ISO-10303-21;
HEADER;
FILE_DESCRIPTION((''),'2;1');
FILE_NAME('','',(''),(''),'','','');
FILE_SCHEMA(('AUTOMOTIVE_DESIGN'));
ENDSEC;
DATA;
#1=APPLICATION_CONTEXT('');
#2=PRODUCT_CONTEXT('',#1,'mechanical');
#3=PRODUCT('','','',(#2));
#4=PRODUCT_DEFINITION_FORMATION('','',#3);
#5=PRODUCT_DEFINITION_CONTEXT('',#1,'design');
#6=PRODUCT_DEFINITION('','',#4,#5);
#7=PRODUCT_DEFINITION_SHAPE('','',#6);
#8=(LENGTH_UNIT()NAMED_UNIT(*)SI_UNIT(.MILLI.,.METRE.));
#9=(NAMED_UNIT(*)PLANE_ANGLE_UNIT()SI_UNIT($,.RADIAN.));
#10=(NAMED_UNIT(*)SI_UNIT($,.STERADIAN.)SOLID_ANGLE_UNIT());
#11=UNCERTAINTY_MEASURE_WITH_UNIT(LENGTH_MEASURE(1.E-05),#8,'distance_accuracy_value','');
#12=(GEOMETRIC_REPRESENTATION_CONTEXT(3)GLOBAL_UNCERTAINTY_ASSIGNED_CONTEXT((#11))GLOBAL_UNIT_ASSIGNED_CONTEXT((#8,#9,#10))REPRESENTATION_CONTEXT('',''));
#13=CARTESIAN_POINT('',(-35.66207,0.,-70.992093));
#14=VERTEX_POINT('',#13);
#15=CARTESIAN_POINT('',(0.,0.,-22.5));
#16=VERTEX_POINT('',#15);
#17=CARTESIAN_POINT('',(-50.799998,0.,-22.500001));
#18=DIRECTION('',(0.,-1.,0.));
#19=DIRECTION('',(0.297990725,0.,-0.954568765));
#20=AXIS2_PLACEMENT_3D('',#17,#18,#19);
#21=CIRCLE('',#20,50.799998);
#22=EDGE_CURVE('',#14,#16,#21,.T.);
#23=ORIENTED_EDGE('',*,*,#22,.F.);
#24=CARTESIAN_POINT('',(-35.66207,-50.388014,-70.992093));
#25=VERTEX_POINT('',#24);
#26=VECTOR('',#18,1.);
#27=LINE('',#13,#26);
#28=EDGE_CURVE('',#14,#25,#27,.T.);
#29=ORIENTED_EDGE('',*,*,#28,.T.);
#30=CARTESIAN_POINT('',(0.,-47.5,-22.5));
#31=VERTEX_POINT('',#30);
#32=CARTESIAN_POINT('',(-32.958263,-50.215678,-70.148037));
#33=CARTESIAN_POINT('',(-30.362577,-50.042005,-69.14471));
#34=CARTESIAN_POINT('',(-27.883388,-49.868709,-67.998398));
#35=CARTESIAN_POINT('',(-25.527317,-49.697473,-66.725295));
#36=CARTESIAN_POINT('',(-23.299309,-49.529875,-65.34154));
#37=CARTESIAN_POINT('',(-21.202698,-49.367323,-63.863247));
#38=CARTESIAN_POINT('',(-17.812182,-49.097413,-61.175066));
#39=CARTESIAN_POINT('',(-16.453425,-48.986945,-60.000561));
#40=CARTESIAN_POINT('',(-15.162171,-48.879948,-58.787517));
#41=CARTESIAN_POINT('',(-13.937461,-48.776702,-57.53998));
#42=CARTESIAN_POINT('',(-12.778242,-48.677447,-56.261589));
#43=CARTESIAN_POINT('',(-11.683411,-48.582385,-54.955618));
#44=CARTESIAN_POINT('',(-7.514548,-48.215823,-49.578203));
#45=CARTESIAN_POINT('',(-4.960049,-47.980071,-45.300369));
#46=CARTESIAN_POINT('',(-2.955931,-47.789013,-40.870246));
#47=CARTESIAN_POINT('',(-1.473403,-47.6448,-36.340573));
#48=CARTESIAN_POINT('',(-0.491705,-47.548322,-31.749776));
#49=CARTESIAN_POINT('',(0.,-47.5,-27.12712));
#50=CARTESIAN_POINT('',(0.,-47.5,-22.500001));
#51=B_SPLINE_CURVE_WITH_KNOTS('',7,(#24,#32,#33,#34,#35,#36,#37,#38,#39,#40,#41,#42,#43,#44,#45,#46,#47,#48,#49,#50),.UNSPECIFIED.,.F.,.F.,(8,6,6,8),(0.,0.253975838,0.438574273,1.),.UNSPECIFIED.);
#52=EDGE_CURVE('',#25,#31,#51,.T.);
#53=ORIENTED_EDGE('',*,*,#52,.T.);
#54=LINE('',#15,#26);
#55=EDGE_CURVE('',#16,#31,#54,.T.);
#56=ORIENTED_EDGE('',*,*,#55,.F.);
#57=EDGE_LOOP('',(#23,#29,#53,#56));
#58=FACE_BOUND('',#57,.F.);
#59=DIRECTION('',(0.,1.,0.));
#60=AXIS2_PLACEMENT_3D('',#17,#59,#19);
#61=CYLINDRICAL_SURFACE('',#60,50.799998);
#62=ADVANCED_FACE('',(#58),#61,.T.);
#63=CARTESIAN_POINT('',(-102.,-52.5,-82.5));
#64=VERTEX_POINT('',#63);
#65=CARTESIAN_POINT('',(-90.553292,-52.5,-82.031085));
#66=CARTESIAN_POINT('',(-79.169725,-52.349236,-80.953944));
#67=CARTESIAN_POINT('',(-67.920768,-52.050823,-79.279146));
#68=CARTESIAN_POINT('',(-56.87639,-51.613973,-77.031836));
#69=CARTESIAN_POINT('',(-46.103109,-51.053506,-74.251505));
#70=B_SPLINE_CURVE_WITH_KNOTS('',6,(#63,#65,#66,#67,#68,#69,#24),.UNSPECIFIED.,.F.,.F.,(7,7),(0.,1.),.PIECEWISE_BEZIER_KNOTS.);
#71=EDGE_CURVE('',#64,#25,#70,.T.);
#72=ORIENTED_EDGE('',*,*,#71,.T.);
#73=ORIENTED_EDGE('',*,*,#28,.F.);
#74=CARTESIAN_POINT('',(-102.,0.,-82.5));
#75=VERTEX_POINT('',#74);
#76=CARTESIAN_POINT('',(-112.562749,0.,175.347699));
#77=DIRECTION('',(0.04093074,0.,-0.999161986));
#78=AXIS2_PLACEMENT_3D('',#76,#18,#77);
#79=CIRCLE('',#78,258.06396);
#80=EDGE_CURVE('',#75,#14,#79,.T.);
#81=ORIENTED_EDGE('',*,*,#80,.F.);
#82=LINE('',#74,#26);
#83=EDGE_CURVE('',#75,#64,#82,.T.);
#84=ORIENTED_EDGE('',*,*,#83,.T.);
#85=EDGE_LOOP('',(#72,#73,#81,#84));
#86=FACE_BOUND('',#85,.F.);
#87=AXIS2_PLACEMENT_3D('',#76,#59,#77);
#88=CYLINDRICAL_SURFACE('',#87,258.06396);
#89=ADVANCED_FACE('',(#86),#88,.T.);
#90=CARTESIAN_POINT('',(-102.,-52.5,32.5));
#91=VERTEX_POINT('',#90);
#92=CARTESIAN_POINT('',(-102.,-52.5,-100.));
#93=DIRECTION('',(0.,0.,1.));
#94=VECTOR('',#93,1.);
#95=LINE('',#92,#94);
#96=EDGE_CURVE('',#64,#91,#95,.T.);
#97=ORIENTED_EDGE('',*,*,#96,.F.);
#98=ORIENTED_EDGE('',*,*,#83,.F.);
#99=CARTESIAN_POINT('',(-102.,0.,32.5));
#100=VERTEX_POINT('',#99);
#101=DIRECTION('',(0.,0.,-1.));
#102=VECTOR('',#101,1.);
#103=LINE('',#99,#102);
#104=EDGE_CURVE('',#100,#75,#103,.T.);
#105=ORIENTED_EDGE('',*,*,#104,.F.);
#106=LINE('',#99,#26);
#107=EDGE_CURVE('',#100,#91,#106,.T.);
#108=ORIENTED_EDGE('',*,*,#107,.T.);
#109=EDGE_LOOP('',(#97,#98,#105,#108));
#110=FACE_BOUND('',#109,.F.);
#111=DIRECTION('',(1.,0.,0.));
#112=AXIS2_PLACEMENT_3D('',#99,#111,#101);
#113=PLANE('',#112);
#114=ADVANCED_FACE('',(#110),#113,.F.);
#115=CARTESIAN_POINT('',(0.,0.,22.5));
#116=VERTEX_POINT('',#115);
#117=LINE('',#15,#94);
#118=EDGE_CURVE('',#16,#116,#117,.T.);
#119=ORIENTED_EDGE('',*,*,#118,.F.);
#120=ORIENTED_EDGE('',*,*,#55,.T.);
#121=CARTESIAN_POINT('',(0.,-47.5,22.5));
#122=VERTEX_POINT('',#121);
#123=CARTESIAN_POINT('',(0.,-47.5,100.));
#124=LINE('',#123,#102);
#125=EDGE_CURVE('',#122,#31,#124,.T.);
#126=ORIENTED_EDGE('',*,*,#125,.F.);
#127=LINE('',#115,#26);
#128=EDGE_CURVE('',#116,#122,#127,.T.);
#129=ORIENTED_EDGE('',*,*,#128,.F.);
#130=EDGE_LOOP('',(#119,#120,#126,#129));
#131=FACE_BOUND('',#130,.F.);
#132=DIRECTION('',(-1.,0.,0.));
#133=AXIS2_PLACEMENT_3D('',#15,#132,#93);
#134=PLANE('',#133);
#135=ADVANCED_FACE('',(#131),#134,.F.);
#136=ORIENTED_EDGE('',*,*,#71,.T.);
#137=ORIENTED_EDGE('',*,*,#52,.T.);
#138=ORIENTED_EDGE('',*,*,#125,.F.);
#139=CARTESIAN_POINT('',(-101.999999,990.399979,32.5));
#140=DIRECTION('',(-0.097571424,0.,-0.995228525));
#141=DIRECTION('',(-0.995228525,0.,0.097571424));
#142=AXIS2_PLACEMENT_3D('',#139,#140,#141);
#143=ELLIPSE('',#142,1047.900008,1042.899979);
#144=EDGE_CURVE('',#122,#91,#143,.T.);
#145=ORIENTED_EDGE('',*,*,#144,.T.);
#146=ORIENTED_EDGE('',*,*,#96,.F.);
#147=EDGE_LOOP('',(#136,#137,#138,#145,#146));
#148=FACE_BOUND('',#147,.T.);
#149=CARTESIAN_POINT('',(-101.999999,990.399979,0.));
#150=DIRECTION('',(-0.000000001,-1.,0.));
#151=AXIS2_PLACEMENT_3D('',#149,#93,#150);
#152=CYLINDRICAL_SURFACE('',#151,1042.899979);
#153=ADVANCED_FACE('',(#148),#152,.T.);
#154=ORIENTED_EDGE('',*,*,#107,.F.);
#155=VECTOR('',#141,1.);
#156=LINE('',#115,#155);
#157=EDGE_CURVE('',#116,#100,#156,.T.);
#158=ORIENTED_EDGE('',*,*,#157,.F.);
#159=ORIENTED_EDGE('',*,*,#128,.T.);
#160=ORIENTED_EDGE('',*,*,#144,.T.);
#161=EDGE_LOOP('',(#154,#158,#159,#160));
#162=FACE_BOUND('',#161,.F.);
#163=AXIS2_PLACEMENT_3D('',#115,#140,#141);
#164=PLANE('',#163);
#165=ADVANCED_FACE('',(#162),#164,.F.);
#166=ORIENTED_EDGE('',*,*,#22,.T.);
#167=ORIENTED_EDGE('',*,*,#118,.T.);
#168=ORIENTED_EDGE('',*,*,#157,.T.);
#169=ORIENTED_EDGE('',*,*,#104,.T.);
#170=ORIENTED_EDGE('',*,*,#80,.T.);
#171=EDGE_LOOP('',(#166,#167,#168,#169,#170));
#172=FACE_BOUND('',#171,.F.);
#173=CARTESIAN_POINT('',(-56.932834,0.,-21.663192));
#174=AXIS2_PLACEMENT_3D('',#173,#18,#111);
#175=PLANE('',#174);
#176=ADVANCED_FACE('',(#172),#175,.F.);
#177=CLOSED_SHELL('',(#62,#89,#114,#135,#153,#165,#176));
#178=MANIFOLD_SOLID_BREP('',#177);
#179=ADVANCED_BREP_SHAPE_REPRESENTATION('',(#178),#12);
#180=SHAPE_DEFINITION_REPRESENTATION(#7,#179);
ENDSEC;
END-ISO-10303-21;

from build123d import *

# Parameters (mm, degrees)
F5_DEPTH = 65
F6_DEPTH = 100


with BuildPart() as f5:
    # F0 (on Front) → F5 (new body)
    with BuildSketch(Plane.XZ):
        with BuildLine():
            Line((0, 22.5), (-102, 32.5))
            Line((-102, 32.5), (-102, -82.5))
            ThreePointArc((-102, -82.5), (-68.454124, -78.918769), (-35.66207, -70.992093))
            ThreePointArc((-35.66207, -70.992093), (-9.875393, -52.596787), (0, -22.5))
            Line((0, -22.5), (0, 22.5))
        make_face()
    extrude(amount=F5_DEPTH)

    # F4 (on Top) → F6 (intersect, symmetric)
    with BuildSketch(Plane.XY):
        with BuildLine():
            Line((0, 0), (-102, 0))
            Line((-102, 0), (-102, -52.5))
            ThreePointArc((-102, -52.5), (-50.938762, -51.24925), (0, -47.5))
            Line((0, -47.5), (0, -22.5))
            Line((0, -22.5), (0, 0))
        make_face()
    extrude(amount=F6_DEPTH, both=True, mode=Mode.INTERSECT)


solid = f5.part
